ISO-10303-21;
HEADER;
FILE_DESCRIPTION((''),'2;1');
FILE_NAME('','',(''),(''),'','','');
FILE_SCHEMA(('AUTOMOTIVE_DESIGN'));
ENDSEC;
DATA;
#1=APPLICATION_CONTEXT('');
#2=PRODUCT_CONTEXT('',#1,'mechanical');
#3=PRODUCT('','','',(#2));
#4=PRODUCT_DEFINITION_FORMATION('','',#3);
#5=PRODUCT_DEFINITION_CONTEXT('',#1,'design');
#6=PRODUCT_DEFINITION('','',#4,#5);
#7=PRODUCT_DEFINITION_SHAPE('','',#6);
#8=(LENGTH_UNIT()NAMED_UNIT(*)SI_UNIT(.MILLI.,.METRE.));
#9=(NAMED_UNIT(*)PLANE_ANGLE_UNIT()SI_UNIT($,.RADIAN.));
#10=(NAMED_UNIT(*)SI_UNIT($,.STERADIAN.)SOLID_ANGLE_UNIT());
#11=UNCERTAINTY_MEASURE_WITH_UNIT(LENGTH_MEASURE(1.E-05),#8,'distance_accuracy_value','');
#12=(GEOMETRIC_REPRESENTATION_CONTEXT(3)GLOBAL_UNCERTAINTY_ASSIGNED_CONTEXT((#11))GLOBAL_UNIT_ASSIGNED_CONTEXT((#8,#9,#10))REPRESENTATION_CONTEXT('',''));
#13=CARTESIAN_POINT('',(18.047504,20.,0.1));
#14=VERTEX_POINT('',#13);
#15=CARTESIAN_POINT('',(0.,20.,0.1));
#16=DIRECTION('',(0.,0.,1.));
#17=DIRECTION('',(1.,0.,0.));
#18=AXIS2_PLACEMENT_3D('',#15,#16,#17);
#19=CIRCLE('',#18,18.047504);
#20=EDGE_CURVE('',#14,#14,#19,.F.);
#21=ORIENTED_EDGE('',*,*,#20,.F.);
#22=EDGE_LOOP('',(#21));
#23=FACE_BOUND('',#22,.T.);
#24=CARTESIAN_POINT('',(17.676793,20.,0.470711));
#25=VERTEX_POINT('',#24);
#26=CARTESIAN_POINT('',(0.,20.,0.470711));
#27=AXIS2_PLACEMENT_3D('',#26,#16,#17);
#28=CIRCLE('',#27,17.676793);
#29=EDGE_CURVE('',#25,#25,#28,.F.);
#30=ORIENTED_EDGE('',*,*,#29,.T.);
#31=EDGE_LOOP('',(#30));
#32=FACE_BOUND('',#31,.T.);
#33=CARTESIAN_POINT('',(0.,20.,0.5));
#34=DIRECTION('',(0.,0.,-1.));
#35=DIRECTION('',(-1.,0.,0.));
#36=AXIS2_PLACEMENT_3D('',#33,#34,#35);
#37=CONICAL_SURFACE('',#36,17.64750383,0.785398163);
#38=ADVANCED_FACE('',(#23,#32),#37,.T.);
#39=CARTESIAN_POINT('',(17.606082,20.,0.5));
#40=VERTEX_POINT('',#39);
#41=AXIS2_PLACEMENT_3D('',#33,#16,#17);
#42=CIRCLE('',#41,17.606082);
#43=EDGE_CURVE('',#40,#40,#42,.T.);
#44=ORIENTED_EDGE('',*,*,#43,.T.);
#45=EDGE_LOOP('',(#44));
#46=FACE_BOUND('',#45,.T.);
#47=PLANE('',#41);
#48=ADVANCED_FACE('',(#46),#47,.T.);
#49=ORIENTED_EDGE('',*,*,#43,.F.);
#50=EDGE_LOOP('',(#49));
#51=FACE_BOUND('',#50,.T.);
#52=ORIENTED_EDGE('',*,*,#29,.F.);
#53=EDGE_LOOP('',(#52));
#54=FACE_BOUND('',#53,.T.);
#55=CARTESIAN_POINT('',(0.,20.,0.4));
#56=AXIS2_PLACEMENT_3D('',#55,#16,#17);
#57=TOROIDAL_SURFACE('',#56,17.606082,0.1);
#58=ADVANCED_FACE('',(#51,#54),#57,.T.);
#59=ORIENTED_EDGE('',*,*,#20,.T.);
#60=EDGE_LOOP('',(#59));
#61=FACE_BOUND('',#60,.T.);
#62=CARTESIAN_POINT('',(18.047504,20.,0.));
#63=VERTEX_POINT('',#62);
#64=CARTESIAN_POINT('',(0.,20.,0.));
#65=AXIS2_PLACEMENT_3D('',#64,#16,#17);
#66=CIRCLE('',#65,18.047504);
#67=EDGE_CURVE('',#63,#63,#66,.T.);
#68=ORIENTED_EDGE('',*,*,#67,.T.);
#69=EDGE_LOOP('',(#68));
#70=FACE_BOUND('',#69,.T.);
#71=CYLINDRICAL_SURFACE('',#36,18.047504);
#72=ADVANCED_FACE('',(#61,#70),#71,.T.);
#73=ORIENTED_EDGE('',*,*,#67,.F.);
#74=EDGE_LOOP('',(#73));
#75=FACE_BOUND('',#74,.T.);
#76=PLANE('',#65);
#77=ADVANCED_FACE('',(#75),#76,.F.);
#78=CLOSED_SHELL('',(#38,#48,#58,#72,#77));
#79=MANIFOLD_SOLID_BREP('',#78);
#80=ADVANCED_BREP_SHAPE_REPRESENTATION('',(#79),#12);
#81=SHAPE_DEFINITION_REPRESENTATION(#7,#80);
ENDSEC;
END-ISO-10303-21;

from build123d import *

# Parameters (mm, degrees)
SKETCH1_R           = 18.04750383
BOSS_EXTRUDE1_DEPTH = 0.5
CHAMFER1_SIZE       = 0.4
FILLET1_R           = 0.1


with BuildPart() as part:
    # Sketch1 → Boss-Extrude1 (new body)
    with BuildSketch(Plane.XY):
        with Locations((0, 20)):
            Circle(SKETCH1_R)
    extrude(amount=BOSS_EXTRUDE1_DEPTH)

    # Chamfer1
    chamfer1_edges = [part.edges().sort_by_distance(p)[0] for p in [
        (-18.04750383, 20, 0.5),
    ]]
    chamfer(chamfer1_edges, length=CHAMFER1_SIZE)

    # Fillet1
    fillet1_edges = [part.edges().sort_by_distance(p)[0] for p in [
        (-17.64750383, 20, 0.5),
    ]]
    fillet(fillet1_edges, radius=FILLET1_R)


solid = part.part
